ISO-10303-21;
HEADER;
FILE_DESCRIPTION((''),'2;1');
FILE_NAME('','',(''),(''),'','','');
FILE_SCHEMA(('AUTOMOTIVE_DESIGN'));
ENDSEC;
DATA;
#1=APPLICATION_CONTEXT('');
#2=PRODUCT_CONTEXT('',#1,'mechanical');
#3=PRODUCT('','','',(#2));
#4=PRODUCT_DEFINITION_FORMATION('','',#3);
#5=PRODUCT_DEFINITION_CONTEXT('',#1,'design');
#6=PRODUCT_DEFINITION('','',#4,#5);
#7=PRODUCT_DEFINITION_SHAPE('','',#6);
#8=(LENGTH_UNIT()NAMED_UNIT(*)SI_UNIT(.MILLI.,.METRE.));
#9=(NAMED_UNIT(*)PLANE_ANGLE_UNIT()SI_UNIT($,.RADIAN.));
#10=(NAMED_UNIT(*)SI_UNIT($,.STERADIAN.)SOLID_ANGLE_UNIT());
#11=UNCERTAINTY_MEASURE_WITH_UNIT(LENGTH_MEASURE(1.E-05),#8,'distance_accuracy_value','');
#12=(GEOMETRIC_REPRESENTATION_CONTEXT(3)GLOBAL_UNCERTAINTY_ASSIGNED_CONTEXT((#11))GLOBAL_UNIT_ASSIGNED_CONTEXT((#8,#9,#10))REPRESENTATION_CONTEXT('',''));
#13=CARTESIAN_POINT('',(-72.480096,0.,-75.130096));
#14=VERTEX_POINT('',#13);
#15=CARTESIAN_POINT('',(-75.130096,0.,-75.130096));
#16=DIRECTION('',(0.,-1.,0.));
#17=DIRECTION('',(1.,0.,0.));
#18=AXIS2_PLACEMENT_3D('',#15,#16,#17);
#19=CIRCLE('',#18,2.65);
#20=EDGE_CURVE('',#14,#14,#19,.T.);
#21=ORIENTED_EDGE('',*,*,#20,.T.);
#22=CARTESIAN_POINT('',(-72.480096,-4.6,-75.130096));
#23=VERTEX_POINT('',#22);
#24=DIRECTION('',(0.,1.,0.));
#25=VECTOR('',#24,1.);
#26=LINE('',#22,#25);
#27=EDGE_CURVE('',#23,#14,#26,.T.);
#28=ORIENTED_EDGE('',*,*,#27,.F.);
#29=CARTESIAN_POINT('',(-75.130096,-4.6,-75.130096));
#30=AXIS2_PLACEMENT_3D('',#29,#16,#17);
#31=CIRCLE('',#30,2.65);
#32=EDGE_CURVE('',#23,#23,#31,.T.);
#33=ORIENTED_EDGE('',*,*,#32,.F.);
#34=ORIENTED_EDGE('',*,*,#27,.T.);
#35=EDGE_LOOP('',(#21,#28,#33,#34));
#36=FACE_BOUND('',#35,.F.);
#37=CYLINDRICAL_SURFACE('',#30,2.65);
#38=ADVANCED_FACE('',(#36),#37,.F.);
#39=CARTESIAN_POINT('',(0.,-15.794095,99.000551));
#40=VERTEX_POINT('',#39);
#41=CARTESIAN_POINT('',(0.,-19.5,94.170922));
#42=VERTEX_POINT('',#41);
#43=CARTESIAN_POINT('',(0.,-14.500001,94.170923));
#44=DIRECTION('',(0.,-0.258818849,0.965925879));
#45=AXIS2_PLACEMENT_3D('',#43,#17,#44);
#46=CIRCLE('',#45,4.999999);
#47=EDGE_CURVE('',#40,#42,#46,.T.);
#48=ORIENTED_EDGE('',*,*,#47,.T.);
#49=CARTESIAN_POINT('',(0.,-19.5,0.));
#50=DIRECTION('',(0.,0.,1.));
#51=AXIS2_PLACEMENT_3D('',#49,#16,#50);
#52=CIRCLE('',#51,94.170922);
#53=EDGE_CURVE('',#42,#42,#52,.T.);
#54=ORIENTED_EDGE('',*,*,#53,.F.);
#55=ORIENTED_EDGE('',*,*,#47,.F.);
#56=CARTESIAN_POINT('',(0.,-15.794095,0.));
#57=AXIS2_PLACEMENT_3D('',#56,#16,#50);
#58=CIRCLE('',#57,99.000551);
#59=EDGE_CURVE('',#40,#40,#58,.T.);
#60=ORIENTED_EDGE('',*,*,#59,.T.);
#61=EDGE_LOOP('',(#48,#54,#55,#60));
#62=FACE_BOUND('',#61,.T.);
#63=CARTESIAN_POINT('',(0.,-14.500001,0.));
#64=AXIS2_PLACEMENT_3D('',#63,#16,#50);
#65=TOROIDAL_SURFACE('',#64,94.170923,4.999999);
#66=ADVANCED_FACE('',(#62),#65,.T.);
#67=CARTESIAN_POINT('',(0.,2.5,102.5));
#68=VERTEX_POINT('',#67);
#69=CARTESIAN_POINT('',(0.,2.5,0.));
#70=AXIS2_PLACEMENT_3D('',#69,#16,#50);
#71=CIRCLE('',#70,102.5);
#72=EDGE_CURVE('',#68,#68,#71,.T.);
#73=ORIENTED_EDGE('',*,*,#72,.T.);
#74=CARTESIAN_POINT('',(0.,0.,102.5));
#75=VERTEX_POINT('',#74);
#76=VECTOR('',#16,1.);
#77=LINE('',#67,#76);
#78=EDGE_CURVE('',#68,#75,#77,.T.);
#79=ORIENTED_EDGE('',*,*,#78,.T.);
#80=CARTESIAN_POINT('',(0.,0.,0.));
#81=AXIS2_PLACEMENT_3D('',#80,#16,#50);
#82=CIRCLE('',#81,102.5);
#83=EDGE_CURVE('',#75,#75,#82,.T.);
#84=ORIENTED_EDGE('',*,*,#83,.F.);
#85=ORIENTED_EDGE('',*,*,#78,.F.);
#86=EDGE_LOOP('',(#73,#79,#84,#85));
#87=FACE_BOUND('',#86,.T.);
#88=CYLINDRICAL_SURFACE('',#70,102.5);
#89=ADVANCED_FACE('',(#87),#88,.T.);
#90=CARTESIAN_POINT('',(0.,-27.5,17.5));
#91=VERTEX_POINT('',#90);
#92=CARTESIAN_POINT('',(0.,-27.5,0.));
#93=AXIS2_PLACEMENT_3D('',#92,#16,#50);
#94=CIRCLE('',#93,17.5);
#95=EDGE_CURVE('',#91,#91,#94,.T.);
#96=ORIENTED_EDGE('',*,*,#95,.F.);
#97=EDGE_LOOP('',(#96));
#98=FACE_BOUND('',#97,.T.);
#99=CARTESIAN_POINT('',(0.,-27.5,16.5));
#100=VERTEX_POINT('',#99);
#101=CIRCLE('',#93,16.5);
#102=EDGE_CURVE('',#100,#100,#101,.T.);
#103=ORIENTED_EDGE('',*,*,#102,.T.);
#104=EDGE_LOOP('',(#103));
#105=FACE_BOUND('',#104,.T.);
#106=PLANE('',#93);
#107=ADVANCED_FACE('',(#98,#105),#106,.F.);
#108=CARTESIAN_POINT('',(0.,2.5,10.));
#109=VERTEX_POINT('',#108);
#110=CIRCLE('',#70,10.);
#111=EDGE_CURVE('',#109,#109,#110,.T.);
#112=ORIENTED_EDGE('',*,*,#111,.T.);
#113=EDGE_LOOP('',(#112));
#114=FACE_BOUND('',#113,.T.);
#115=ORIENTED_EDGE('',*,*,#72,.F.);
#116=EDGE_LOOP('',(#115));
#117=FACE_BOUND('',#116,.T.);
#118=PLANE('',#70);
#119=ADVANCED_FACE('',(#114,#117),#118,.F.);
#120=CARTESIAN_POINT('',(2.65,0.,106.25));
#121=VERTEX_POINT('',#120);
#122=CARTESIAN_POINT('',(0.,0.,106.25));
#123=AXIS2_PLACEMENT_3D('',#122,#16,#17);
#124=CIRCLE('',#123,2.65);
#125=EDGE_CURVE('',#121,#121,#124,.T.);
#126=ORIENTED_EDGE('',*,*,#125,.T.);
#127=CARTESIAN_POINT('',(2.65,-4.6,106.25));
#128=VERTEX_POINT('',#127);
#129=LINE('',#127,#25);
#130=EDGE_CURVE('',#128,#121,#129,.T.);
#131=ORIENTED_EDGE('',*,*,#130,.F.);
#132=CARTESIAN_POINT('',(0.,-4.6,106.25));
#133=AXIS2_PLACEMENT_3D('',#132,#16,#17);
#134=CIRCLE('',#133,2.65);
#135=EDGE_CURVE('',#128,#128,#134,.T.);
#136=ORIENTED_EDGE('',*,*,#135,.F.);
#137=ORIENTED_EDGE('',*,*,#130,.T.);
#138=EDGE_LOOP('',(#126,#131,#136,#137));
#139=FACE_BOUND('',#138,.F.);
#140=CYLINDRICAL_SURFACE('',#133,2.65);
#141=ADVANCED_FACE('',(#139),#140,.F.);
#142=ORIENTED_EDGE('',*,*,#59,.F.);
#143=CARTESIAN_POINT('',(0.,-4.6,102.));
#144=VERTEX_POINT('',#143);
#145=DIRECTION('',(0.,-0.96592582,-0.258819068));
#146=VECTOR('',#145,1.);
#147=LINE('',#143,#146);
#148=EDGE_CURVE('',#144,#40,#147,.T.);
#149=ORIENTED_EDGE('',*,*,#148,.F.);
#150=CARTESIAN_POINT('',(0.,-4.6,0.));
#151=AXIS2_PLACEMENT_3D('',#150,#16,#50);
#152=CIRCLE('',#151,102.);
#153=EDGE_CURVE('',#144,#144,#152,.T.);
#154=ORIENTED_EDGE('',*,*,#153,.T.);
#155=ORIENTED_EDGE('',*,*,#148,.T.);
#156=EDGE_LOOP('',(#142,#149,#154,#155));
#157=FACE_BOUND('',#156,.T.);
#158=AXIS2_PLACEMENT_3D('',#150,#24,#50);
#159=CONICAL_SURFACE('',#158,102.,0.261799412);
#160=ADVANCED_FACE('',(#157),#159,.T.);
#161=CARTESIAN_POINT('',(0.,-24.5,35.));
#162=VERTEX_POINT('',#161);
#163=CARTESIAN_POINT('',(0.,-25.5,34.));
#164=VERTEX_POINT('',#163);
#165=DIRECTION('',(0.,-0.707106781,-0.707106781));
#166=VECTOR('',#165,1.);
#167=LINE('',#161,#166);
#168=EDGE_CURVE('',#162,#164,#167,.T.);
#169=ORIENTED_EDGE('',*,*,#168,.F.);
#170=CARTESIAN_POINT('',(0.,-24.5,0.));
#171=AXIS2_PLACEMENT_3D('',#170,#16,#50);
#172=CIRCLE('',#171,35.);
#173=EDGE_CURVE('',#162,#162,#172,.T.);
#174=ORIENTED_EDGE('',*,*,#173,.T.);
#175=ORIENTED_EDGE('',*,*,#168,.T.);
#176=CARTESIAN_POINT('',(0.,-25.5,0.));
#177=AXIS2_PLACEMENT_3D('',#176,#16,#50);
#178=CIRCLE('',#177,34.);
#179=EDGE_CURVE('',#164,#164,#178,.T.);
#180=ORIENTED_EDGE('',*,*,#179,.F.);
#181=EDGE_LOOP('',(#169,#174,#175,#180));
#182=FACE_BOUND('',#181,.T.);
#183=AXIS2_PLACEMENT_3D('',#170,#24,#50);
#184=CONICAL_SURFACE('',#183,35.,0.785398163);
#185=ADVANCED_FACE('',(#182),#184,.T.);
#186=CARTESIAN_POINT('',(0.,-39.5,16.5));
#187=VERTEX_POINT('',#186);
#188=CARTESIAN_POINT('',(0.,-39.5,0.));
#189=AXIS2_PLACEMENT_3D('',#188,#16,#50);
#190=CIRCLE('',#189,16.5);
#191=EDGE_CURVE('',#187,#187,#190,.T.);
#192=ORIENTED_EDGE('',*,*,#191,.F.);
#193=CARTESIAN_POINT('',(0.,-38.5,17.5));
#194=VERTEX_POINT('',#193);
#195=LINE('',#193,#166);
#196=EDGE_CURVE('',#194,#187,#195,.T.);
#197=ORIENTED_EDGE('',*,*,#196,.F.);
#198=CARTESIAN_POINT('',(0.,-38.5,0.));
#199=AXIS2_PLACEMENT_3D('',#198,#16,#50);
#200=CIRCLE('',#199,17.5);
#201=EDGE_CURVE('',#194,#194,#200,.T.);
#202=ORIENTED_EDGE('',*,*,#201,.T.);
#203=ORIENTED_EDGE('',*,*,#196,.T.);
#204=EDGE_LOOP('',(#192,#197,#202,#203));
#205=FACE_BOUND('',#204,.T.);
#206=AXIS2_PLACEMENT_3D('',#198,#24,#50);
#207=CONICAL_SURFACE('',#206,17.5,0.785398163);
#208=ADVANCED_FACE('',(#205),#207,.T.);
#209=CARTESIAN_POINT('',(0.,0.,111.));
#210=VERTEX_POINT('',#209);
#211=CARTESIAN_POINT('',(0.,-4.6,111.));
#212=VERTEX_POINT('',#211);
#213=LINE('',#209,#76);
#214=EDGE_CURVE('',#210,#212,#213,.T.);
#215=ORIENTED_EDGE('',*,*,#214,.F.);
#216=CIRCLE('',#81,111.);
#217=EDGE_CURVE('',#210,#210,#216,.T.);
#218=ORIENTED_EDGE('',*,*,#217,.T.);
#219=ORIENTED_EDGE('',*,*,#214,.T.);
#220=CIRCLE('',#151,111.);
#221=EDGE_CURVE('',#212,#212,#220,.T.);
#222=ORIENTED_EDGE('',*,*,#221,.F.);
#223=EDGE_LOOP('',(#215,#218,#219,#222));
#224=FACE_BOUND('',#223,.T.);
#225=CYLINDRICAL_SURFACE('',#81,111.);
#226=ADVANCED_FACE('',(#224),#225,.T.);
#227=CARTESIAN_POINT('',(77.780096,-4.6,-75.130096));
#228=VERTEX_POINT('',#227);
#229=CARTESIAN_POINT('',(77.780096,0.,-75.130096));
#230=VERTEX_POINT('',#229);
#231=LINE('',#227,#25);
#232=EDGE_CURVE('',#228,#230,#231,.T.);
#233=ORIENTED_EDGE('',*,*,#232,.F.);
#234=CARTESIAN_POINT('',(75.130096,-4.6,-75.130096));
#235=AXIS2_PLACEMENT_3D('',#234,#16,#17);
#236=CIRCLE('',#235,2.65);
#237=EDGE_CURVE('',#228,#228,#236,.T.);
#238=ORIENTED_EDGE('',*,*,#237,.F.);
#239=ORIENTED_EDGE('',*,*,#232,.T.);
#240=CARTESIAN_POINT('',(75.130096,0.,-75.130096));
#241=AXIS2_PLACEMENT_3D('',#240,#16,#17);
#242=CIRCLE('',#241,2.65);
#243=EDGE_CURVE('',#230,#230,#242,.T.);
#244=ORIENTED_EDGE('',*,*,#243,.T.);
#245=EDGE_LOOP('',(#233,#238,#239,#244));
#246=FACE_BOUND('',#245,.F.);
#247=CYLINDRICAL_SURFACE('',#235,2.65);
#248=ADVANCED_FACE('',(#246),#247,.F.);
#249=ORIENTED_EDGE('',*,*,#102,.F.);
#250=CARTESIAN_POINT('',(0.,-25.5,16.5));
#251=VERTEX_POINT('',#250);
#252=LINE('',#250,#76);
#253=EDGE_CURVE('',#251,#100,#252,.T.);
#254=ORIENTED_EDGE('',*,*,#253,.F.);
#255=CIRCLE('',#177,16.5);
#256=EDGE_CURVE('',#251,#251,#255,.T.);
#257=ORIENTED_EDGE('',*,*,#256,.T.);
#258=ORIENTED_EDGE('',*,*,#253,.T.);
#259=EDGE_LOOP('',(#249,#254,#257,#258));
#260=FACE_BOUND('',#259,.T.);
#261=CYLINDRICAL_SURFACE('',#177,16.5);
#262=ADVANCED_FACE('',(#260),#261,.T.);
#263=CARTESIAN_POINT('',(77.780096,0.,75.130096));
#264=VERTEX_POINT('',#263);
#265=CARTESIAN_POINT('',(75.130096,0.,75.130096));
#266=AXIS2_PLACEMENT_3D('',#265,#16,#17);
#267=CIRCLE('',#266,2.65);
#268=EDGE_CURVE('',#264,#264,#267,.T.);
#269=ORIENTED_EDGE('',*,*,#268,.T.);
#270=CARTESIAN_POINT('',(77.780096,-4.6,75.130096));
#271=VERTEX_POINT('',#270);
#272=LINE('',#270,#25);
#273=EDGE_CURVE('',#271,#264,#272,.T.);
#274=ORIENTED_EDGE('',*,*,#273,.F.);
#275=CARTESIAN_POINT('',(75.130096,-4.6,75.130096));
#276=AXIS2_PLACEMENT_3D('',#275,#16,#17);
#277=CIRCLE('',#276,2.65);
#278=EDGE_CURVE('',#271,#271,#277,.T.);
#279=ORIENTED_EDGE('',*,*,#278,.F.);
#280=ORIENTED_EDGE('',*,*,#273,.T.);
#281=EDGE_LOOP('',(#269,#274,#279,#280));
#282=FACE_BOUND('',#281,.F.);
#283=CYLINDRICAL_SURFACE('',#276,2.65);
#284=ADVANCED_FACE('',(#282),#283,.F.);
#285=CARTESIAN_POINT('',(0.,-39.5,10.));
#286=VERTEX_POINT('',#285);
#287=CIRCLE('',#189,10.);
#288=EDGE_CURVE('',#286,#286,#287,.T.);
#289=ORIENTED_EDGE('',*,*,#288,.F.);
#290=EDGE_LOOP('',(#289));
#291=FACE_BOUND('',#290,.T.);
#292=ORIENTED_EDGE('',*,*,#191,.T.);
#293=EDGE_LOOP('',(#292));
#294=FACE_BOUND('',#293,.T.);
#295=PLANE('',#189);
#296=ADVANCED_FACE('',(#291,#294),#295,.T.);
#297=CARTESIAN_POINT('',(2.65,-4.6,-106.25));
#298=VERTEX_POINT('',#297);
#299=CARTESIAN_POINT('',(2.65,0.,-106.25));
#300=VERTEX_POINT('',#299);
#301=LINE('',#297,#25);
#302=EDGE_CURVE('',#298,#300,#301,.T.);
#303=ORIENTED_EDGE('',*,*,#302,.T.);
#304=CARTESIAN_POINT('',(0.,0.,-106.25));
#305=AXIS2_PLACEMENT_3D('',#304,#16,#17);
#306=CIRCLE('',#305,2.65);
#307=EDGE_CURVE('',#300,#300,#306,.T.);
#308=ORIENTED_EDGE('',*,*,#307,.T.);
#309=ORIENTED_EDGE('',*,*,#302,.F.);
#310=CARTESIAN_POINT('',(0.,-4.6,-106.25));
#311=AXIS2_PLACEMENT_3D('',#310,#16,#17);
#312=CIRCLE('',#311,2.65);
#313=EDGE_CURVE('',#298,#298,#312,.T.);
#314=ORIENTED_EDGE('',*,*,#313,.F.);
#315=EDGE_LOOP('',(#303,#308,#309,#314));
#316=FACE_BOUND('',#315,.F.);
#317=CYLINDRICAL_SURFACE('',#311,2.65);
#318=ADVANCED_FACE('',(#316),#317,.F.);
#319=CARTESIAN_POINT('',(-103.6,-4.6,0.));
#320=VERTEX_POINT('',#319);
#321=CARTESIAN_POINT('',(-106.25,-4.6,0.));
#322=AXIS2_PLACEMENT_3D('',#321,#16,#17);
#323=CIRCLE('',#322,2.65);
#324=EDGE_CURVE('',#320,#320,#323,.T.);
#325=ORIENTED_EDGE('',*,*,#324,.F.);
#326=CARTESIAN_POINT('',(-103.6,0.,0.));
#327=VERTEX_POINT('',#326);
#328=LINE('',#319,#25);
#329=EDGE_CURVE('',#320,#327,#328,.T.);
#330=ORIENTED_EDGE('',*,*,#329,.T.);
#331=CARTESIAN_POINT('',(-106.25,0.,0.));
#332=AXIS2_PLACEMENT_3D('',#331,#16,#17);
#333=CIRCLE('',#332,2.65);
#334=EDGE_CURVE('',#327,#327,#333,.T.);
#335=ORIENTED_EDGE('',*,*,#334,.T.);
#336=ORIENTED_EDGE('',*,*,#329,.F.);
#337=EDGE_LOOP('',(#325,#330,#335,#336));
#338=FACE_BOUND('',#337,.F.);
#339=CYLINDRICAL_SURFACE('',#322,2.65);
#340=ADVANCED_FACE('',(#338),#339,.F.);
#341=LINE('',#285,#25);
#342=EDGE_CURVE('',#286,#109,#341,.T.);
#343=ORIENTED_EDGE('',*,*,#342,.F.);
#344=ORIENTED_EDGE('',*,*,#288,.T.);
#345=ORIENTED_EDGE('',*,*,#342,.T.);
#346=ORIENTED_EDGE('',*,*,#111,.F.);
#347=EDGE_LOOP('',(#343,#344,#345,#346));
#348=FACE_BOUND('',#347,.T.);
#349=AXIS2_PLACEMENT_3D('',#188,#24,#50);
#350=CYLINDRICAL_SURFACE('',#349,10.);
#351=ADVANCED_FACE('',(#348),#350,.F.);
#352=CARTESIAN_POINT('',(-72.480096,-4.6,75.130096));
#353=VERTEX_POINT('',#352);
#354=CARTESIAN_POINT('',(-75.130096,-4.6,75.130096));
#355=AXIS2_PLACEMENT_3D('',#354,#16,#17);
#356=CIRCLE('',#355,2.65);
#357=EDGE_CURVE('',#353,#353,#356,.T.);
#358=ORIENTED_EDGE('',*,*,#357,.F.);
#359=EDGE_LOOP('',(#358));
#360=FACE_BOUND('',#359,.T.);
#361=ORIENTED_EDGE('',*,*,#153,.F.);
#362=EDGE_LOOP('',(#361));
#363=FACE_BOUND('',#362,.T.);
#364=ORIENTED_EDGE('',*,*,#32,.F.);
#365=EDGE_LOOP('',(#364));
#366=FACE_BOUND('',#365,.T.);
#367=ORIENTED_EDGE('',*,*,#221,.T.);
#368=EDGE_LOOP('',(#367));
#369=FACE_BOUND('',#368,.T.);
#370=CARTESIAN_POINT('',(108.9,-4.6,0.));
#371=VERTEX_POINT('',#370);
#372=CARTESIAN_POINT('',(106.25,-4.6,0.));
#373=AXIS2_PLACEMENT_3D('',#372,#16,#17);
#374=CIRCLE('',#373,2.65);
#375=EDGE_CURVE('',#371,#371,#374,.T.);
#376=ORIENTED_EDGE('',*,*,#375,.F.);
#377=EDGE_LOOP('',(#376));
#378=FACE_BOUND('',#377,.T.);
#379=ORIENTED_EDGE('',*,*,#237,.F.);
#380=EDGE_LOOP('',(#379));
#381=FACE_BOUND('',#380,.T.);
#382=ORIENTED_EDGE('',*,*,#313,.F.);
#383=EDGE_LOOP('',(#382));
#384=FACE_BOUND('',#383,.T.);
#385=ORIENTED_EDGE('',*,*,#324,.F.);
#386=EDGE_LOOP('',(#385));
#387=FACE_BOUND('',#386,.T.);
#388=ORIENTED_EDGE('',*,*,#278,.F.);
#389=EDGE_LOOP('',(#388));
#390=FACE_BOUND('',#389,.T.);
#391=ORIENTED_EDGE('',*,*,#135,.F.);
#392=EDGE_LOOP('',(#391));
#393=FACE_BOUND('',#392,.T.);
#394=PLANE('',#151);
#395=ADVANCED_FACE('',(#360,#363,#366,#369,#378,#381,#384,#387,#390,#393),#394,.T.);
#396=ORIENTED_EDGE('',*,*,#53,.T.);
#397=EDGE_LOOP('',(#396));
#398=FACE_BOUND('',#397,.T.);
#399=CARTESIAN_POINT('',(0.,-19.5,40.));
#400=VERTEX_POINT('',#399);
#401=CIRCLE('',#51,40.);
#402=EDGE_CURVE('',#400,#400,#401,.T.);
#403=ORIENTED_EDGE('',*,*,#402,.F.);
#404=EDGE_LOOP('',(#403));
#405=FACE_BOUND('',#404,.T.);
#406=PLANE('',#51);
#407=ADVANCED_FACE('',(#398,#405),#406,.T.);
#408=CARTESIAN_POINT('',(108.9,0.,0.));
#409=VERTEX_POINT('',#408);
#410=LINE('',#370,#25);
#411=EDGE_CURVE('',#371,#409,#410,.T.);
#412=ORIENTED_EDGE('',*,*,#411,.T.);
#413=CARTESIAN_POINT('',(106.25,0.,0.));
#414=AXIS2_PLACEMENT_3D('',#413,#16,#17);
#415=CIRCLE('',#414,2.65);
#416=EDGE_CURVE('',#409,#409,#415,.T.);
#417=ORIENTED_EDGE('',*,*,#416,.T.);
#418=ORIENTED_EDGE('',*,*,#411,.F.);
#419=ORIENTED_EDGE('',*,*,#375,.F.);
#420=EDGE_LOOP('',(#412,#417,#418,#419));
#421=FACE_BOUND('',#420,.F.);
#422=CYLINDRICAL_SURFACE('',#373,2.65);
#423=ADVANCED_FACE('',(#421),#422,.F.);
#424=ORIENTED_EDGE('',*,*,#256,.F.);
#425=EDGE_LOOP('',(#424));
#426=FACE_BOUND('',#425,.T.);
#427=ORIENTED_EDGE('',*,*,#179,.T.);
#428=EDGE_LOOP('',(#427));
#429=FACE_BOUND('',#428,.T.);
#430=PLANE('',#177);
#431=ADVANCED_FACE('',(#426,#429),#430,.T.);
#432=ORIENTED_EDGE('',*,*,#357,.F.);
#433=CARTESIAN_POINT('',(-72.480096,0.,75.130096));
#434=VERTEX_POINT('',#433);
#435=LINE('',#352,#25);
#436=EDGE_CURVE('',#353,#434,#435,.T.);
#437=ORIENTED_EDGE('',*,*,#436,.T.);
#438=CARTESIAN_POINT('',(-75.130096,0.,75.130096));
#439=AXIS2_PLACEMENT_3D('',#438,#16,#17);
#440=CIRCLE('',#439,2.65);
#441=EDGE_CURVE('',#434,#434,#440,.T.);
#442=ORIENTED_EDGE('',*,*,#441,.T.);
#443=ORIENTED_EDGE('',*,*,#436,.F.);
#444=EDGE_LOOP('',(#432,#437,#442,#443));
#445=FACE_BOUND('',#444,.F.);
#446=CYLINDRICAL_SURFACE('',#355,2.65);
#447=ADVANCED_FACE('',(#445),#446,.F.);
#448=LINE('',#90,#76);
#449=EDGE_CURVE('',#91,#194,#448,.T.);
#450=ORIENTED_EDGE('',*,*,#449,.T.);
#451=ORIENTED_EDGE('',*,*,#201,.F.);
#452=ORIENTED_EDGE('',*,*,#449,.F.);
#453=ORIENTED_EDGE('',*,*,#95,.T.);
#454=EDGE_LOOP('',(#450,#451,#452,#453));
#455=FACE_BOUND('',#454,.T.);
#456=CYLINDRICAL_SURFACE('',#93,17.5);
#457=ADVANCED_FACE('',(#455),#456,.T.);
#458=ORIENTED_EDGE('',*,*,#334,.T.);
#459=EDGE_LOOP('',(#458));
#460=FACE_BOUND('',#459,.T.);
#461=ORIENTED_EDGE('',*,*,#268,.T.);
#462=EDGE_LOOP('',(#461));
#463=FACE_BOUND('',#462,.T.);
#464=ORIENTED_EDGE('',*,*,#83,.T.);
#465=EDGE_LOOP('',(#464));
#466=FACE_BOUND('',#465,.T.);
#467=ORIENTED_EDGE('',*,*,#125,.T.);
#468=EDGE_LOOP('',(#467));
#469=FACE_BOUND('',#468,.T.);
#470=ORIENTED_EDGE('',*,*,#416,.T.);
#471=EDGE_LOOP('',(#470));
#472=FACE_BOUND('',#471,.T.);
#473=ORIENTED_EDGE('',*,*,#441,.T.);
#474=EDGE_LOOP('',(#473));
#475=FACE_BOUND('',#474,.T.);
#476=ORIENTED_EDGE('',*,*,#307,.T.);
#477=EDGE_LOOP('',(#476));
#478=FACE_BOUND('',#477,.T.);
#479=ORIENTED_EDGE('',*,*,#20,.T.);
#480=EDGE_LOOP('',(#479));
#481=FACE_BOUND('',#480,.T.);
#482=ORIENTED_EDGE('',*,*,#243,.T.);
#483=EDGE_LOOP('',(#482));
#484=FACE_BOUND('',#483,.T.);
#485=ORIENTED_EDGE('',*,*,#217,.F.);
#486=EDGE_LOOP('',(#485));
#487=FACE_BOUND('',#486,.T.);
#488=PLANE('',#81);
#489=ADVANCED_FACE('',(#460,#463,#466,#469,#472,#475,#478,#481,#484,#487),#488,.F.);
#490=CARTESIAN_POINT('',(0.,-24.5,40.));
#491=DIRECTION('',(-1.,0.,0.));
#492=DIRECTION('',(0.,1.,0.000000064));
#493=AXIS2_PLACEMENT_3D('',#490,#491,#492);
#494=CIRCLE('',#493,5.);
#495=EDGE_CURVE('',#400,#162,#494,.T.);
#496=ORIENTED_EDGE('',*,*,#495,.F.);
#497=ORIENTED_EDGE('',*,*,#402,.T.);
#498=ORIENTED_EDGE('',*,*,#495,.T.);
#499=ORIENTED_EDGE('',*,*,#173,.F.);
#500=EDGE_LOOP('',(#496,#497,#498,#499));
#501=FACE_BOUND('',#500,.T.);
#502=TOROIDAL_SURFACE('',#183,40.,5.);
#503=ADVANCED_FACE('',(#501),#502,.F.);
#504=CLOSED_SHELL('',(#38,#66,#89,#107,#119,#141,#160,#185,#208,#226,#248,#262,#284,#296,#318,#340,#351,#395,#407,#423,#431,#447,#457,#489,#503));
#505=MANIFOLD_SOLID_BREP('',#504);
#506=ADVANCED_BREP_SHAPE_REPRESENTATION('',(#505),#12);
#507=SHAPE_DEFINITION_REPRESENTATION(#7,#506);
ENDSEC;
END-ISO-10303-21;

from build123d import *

# Parameters (mm, degrees)
F2_R     = 2.65
F3_DEPTH = 7.101


with BuildPart() as f1:
    # F0 (on Right) → F1 (revolve)
    with BuildSketch(Plane.YZ):
        with BuildLine():
            Line((2.5, 10), (2.5, 102.5))
            Line((2.5, 102.5), (0, 102.5))
            Line((0, 102.5), (0, 111))
            Line((0, 111), (-4.6, 111))
            Line((-4.6, 111), (-4.6, 102))
            Line((-4.6, 102), (-15.794095, 99.000551))
            ThreePointArc((-15.794095, 99.000551), (-18.466767, 97.214729), (-19.5, 94.170922))
            Line((-19.5, 94.170922), (-19.5, 40))
            ThreePointArc((-19.5, 40), (-20.964466, 36.464466), (-24.5, 35))
            Line((-24.5, 35), (-25.5, 34))
            Line((-25.5, 34), (-25.5, 16.5))
            Line((-25.5, 16.5), (-27.5, 16.5))
            Line((-27.5, 16.5), (-27.5, 17.5))
            Line((-27.5, 17.5), (-38.5, 17.5))
            Line((-38.5, 17.5), (-39.5, 16.5))
            Line((-39.5, 16.5), (-39.5, 10))
            Line((-39.5, 10), (2.5, 10))
        make_face()
    revolve(axis=Axis((0, -26.156189, 0), (0, -1, 0)))

    # F2 (on face) → F3 (cut, through all)
    with BuildSketch(Plane.XZ.offset(4.6)):
        with Locations((-106.25, 0)):
            Circle(F2_R)
        with Locations((-75.130096, -75.130096)):
            Circle(F2_R)
        with Locations((0, -106.25)):
            Circle(F2_R)
        with Locations((75.130096, -75.130096)):
            Circle(F2_R)
        with Locations((106.25, 0)):
            Circle(F2_R)
        with Locations((75.130096, 75.130096)):
            Circle(F2_R)
        with Locations((0, 106.25)):
            Circle(F2_R)
        with Locations((-75.130096, 75.130096)):
            Circle(F2_R)
    extrude(amount=-F3_DEPTH, mode=Mode.SUBTRACT)


solid = f1.part
